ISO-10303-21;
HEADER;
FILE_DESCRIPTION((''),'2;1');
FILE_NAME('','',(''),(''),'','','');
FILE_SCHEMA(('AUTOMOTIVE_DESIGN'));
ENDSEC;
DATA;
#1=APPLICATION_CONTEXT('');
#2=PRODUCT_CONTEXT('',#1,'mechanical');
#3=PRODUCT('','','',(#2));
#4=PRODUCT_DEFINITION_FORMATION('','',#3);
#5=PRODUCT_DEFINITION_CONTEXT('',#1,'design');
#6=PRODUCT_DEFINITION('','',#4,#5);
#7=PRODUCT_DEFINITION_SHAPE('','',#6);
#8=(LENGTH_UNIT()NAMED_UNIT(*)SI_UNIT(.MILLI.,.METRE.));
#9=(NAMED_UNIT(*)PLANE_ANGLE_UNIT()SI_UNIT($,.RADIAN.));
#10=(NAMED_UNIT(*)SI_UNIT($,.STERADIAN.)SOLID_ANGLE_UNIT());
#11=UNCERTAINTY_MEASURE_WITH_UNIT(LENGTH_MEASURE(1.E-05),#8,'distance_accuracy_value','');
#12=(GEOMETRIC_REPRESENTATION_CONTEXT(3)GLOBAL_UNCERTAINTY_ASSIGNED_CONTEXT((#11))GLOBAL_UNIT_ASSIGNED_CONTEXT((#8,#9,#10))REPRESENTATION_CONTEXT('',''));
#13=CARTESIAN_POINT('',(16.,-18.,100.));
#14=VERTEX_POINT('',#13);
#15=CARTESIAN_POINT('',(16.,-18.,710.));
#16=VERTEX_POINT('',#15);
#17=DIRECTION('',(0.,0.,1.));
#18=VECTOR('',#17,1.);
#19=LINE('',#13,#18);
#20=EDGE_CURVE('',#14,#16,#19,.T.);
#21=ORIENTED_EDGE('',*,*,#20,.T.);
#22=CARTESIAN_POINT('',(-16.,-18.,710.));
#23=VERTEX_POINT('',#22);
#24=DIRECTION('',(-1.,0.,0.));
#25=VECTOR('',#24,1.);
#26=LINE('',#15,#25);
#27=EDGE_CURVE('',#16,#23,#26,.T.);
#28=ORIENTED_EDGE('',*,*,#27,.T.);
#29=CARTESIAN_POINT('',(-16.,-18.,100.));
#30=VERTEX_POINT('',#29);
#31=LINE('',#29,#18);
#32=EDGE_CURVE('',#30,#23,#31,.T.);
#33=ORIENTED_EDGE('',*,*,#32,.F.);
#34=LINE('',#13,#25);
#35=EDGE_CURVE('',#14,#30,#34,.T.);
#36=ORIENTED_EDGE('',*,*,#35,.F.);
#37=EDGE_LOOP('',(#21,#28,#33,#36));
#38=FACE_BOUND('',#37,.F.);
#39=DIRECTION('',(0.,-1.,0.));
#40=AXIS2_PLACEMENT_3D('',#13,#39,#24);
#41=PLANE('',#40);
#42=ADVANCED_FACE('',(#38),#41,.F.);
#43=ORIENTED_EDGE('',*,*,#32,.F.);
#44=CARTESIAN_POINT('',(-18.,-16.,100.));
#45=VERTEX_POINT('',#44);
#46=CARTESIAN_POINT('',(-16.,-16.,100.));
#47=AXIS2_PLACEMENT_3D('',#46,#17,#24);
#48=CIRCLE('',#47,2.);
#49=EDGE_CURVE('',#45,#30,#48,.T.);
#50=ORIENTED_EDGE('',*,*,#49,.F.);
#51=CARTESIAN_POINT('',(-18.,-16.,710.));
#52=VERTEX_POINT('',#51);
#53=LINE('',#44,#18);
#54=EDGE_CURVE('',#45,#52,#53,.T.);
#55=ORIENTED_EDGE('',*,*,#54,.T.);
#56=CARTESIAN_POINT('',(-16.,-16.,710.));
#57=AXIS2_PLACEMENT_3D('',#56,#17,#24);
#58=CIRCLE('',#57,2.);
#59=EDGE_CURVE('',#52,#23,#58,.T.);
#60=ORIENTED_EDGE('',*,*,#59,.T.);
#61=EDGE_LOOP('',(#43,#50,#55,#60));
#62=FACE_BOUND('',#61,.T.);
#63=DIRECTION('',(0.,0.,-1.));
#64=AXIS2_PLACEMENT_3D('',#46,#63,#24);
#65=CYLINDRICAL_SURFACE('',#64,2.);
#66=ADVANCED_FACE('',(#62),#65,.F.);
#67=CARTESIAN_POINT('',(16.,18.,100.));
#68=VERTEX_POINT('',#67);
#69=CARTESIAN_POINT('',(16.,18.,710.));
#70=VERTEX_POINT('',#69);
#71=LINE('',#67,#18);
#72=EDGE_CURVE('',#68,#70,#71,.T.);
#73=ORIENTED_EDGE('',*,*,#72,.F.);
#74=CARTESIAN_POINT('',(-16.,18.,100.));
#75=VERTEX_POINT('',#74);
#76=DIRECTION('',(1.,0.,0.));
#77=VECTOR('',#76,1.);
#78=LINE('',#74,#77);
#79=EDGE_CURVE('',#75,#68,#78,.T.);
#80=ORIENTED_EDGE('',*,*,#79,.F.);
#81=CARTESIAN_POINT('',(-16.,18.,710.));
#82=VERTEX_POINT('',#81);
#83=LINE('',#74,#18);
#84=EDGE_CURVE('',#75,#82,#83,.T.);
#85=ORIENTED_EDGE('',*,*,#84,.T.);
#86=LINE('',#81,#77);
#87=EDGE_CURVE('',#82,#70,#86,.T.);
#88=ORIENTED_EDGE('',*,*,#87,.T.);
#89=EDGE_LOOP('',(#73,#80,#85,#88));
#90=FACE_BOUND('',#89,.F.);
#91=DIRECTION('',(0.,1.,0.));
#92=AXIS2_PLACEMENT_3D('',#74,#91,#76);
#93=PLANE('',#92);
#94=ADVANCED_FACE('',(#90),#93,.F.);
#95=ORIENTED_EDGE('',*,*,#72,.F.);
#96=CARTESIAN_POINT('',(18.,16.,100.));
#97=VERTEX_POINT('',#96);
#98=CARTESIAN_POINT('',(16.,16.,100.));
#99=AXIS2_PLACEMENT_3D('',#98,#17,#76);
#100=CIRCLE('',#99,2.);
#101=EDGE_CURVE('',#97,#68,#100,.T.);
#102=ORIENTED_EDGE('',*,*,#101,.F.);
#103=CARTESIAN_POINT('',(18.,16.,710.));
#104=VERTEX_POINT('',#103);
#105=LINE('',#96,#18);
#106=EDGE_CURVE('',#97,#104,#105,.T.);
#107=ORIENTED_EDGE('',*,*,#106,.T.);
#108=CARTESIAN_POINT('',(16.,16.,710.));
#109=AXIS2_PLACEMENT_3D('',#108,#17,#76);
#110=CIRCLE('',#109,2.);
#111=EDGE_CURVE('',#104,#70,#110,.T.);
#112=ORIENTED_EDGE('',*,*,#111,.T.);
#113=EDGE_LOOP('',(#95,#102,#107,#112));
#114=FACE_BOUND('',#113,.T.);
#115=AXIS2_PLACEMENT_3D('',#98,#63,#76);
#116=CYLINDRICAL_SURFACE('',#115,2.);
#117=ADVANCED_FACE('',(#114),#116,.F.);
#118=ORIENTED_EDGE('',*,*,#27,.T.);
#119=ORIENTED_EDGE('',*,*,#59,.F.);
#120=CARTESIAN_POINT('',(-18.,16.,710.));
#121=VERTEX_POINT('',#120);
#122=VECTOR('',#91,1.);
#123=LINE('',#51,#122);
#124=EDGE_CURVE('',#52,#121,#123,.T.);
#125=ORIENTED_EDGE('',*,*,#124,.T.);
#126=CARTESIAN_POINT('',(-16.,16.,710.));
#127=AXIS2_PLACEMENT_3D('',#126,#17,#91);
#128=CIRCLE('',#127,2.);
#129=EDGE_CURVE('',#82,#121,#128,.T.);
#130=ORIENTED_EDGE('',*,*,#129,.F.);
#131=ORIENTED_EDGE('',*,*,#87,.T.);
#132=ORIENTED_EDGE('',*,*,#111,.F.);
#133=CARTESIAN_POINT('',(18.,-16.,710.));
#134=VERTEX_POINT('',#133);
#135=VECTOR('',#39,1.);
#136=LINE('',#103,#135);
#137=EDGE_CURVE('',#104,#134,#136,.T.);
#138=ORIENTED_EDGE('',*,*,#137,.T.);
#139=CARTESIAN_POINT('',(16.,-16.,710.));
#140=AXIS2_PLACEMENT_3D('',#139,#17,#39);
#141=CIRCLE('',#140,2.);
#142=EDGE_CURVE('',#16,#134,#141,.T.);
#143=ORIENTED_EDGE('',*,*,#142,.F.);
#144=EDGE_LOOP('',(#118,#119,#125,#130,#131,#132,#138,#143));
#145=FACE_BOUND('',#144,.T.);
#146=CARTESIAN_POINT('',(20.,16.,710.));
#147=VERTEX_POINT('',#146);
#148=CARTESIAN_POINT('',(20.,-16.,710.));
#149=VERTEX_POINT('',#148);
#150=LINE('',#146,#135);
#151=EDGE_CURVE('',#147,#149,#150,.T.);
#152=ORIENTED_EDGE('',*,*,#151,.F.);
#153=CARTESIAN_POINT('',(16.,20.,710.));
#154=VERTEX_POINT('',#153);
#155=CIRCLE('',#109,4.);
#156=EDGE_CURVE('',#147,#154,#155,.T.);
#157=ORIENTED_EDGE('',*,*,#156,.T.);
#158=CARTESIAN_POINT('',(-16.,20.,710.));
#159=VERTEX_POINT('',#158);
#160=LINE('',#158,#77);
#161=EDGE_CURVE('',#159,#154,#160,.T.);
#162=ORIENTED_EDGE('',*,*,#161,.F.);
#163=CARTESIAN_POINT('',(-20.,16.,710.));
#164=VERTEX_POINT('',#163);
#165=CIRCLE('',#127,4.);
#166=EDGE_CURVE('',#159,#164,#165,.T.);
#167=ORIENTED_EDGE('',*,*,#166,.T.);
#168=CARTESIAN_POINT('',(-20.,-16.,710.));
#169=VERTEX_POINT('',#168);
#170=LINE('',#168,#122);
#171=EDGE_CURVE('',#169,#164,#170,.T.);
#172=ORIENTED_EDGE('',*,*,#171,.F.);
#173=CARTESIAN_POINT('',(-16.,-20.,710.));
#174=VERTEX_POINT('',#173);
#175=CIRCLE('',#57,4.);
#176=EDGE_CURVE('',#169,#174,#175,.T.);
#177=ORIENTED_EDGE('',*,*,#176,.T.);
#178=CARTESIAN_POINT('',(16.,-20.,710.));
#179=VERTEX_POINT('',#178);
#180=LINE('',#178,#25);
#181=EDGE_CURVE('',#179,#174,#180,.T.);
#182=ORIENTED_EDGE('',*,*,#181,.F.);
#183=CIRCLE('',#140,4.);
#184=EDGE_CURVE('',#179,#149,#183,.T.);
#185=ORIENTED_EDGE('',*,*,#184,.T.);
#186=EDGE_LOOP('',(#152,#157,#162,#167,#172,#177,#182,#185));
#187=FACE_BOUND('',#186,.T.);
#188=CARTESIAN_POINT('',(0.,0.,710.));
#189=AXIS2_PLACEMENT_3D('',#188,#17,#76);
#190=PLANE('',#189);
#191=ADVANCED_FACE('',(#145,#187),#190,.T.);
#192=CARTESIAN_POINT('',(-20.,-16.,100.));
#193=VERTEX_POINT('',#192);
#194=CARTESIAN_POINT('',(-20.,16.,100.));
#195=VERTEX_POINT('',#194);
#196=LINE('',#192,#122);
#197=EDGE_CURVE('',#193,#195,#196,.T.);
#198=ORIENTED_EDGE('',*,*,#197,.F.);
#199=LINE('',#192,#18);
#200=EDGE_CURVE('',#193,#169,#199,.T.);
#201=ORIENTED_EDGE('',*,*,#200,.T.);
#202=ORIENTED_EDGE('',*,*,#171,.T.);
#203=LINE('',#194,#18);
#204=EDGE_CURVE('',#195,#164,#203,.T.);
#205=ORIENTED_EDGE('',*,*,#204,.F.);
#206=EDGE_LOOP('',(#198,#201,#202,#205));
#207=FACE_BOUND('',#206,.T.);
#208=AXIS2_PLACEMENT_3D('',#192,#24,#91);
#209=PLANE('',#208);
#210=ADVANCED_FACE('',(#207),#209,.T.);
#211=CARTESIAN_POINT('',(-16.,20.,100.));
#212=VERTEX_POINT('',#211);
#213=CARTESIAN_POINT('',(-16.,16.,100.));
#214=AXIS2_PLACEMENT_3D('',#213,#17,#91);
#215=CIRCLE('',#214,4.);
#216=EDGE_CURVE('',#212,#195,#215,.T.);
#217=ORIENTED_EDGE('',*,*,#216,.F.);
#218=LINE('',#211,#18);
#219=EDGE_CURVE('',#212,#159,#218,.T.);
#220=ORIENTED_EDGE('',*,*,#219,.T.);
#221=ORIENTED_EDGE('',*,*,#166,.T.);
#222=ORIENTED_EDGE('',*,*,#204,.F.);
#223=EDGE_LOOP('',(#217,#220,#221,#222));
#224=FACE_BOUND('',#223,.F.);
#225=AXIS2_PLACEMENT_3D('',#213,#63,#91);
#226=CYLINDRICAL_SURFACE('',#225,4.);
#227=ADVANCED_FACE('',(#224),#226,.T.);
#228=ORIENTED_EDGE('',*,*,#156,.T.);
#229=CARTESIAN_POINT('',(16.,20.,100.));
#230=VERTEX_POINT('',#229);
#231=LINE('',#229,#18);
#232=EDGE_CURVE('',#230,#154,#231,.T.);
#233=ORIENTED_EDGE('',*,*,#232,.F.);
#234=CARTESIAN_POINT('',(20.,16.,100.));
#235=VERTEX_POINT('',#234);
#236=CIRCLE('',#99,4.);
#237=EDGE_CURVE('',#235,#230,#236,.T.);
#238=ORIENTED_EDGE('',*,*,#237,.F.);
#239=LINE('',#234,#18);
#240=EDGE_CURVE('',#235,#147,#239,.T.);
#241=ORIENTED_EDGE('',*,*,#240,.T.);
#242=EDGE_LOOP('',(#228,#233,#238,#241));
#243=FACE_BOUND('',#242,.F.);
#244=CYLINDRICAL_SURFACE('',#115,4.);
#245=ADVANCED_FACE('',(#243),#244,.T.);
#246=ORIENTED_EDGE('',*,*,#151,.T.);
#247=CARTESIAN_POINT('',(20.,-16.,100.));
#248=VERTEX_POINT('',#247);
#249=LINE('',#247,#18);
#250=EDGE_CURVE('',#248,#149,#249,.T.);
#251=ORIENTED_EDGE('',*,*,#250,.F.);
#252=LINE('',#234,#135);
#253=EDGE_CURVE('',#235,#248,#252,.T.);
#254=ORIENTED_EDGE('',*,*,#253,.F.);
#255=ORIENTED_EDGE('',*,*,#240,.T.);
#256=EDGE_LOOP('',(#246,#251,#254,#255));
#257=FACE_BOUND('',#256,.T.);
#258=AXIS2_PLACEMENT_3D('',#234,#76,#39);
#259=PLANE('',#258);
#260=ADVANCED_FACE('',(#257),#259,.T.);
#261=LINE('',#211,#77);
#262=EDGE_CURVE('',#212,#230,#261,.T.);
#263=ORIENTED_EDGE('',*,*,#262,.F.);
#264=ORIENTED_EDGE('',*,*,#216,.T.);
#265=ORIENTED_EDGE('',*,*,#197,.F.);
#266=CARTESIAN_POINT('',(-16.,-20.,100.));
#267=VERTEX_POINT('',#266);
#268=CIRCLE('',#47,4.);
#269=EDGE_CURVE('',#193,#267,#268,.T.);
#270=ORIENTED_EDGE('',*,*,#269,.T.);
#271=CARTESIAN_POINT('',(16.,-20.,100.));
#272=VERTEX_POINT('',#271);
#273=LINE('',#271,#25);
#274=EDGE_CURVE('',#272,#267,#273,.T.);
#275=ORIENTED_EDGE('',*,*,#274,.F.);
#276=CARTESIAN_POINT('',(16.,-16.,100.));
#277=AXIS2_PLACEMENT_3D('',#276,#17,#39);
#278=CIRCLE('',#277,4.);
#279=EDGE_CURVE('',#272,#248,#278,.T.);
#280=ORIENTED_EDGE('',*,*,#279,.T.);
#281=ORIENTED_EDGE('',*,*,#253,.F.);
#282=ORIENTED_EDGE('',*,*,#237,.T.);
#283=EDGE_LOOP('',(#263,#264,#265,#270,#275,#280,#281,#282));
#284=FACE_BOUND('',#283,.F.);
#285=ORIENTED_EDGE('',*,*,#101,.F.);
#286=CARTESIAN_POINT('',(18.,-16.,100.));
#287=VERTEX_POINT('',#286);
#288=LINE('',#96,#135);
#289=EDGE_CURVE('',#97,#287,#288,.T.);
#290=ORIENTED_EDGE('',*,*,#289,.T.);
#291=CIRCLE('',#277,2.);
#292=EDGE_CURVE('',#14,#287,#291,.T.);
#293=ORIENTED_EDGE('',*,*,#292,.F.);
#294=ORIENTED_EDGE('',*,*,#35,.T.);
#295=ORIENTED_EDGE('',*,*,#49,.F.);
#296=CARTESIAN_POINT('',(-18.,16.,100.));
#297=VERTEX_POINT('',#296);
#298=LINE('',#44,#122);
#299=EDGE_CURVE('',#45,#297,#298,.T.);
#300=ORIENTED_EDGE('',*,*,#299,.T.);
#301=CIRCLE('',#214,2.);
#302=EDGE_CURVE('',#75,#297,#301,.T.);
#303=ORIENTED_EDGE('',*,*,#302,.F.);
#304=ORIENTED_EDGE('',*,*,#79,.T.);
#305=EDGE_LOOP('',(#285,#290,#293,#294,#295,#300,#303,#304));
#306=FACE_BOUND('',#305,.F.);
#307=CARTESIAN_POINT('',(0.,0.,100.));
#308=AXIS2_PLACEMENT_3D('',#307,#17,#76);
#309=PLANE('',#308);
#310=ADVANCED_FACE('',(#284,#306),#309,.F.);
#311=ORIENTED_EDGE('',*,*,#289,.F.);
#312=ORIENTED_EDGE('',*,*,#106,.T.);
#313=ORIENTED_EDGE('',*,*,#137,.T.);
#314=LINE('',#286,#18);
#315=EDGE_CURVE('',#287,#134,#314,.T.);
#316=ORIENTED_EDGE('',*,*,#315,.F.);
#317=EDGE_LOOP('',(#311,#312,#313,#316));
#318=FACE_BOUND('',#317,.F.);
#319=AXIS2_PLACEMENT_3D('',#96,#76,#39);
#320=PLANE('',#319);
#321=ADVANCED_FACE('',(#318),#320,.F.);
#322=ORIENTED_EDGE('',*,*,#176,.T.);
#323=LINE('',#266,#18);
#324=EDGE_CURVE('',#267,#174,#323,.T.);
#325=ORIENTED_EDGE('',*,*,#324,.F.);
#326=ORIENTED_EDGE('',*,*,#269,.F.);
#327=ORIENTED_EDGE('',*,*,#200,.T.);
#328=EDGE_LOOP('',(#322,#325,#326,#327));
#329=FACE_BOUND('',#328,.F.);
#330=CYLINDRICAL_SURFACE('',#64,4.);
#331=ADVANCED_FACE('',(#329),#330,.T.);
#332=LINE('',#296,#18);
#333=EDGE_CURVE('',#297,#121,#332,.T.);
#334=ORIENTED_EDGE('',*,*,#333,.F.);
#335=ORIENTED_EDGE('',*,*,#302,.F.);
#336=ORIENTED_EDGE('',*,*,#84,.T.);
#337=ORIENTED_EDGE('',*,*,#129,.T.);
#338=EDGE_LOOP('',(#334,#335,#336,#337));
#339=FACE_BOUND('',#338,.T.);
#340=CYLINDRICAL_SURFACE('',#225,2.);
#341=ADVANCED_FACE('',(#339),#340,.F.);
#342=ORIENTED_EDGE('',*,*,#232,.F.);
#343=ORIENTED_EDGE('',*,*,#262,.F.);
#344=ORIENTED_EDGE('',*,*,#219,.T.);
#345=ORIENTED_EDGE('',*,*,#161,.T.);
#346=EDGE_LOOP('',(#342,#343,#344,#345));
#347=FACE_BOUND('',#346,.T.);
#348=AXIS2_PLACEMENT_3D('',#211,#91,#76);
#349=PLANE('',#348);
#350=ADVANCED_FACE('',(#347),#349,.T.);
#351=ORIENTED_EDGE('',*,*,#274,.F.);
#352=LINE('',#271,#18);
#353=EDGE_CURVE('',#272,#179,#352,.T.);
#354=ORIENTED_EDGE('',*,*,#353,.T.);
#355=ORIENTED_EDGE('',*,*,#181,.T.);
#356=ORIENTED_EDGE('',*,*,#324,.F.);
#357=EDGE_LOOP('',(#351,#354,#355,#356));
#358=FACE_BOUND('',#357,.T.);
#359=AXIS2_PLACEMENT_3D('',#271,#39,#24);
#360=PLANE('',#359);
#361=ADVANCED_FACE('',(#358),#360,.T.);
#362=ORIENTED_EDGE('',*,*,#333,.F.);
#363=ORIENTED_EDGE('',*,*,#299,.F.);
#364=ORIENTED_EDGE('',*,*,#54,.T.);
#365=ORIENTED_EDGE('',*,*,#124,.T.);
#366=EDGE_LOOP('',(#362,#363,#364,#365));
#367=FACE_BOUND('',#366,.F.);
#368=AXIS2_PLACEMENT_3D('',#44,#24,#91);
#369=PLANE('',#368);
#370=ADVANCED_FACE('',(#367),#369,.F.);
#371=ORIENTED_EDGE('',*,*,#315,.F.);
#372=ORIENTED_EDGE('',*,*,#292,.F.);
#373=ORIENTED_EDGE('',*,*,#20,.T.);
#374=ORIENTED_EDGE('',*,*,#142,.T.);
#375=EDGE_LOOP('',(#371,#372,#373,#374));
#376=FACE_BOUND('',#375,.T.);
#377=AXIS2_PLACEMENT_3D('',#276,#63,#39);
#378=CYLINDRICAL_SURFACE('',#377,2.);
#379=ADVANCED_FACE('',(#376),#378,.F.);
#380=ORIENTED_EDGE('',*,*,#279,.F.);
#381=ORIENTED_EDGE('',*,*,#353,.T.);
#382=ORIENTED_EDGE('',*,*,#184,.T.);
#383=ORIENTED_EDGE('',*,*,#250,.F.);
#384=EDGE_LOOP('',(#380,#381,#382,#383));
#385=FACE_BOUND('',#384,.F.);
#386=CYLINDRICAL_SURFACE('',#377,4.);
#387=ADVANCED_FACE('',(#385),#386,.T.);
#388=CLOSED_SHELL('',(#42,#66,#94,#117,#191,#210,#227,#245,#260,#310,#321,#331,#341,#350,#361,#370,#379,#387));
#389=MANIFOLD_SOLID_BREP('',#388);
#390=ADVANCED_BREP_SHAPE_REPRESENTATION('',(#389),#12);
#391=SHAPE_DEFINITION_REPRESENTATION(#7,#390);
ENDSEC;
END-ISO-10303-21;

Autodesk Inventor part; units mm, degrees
ref_plane "YZ Plane" through (0, 0, 0) normal (1, 0, 0) x (0, 1, 0)
ref_plane "Start Plane" through (0, 0, 100) normal (0, 0, 1) x (1, 0, 0)
ref_plane "End Plane" through (0, 0, 710) normal (0, 0, 1) x (1, 0, 0)
sketch "Sketch" plane through (0, 0, 0) normal (0, 0, 1) x (1, 0, 0)
  line L0 (-20, -16) -> (-20, 16)
  line L1 (-16, 20) -> (16, 20)
  line L2 (20, 16) -> (20, -16)
  line L3 (16, -20) -> (-16, -20)
  arc A0 (-20, -16) -> (-16, -20) centre (-16, -16) ccw
  arc A1 (20, 16) -> (16, 20) centre (16, 16) ccw
  arc A2 (-16, 20) -> (-20, 16) centre (-16, 16) ccw
  arc A3 (16, -20) -> (20, -16) centre (16, -16) ccw
  arc A4 (-16, 18) -> (-18, 16) centre (-16, 16) ccw
  line L4 (-16, 18) -> (16, 18)
  arc A5 (18, 16) -> (16, 18) centre (16, 16) ccw
  line L5 (18, 16) -> (18, -16)
  arc A6 (16, -18) -> (18, -16) centre (16, -16) ccw
  line L6 (16, -18) -> (-16, -18)
  arc A7 (-18, -16) -> (-16, -18) centre (-16, -16) ccw
  line L7 (-18, -16) -> (-18, 16)
  line L8 (0, 29.1598) -> (0, -29.1598) construction
  line L9 (-29.1598, 0) -> (29.1598, 0) construction
  dimension "d7" = 4
  dimension "d9" = 40
  dimension "d11" = 40
  dimension "d12" = 2
  dimension "d15" = 20
  dimension "d16" = 20
extrude "Body" add sketch "Sketch" along normal up to surface (610 mm away) from surface at 100
sketch "Sketch3" plane through (0, 0, 0) normal (0, 0, 1) x (1, 0, 0)
  line L0 (0, 0) -> (10, 0)
ref_plane "Work Plane3" through (0, 0, 0) normal (0, -1, 0) x (1, 0, 0)
sketch "Sketch4" plane through (0, 0, 0) normal (0, -1, 0) x (1, 0, 0)
  line L0 (-2, 100) -> (12, 100) projected
  line L1 (-2, 710) -> (12, 710) projected
  dimension "d18" = 610
equation "\"d7\" = G_IR"
equation "\"d9\" = G_W"
equation "\"d11\" = G_H"
equation "\"d12\" = G_T"
equation "\"d15\" = 0.5 * d9"
equation "\"d16\" = 0.5 * d11"
equation "\"d3\" = G_L"
equation "\"G_W\" = 40"
equation "\"G_H\" = 40"
equation "\"G_T\" = 2"
equation "\"G_IR\" = 4"
equation "\"G_L\" = d18"
properties part number "ISO 10799-2 - 40x40x2 - 610" material "Steel, Mild"
